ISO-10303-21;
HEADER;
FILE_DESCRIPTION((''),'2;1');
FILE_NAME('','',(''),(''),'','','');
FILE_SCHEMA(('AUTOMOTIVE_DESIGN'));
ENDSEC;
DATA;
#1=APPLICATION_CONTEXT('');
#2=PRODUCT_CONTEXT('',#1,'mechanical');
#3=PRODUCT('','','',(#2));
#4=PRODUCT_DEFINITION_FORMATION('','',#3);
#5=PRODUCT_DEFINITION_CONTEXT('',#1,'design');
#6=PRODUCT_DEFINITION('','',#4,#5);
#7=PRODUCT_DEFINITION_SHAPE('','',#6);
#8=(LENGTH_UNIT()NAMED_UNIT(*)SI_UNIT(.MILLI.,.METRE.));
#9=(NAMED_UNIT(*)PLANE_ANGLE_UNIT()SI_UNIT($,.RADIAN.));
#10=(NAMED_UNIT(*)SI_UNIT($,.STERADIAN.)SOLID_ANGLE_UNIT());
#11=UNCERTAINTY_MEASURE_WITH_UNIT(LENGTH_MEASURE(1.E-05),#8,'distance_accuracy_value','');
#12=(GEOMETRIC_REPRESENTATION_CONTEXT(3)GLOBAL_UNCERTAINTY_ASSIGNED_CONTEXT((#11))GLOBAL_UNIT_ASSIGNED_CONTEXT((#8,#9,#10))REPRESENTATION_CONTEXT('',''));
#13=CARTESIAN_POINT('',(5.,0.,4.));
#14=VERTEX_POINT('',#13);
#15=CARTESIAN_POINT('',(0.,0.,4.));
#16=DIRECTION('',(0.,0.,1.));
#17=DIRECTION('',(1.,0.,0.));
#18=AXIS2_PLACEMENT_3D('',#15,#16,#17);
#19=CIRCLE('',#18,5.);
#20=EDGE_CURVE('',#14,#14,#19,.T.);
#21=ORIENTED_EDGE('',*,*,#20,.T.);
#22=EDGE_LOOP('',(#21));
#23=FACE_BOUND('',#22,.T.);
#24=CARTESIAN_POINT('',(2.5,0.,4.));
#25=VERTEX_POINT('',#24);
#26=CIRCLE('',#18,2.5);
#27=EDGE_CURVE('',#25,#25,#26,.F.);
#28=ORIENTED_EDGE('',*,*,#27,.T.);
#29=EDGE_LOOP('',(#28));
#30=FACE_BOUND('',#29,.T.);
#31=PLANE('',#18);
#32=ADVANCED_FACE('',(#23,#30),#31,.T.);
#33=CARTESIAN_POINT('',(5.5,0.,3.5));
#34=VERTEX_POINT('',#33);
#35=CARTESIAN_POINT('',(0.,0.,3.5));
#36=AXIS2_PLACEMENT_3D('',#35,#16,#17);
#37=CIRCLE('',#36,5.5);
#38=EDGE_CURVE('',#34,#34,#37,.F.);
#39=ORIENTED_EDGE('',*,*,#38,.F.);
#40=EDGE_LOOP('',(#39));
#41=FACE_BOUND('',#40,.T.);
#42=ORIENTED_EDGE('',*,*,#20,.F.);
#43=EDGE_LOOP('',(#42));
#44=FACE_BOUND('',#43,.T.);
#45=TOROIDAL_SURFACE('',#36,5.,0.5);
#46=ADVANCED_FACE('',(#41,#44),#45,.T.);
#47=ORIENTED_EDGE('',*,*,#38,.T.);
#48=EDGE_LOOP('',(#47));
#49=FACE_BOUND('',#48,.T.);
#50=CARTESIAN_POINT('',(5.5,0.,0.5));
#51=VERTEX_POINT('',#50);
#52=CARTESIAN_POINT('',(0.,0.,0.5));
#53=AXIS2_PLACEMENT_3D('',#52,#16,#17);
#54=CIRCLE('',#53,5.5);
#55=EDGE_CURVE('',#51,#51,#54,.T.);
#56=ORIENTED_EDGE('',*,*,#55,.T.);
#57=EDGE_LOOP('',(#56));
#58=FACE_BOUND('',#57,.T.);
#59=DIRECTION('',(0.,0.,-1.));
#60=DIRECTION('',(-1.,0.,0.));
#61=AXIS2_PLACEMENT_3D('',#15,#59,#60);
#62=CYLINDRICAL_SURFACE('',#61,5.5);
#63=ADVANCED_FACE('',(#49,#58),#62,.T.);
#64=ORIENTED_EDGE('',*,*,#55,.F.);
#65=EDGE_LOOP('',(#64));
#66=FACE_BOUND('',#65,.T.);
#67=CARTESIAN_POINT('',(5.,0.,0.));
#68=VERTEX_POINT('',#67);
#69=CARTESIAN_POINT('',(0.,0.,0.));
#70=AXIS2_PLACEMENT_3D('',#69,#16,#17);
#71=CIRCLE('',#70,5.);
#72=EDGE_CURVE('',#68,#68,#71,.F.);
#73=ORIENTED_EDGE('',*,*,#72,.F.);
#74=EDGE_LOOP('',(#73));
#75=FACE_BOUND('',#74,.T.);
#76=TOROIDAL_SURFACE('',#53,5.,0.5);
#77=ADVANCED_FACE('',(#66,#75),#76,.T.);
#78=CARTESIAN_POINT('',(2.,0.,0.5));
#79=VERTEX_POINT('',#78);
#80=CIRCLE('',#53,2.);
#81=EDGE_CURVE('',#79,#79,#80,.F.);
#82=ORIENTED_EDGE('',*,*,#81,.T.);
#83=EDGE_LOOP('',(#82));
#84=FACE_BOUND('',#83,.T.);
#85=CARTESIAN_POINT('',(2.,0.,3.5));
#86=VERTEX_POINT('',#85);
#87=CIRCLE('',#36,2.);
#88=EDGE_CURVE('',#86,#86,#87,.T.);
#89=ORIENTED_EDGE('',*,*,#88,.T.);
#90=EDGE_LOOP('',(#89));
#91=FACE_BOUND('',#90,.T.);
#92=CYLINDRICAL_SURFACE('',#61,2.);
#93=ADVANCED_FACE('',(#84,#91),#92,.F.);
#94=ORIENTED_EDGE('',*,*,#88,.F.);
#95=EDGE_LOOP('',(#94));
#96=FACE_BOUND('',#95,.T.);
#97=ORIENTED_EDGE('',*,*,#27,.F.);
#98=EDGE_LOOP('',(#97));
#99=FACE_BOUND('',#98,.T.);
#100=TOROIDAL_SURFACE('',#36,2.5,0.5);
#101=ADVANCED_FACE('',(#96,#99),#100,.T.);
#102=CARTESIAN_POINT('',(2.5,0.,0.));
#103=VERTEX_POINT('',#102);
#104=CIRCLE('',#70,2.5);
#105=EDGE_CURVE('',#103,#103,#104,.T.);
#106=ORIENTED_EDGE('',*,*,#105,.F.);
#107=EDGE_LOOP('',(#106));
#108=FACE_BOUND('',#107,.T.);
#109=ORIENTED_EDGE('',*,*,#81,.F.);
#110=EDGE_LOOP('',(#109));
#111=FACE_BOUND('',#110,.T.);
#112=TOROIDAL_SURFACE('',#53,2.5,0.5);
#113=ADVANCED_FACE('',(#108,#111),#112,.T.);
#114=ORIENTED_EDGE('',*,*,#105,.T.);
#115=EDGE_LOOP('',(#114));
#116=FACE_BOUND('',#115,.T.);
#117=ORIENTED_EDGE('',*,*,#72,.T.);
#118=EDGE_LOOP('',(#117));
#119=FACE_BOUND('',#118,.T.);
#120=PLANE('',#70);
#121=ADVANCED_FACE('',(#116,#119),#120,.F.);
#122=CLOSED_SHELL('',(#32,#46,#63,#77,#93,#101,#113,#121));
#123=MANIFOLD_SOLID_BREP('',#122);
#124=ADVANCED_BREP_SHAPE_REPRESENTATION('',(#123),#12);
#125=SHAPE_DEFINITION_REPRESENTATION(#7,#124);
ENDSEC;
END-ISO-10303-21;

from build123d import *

# Parameters (mm, degrees)
ESQUISSE1_R          = 5.5
ESQUISSE1_R_2        = 2
BASE_EXTRUSION_DEPTH = 4
CONG_1_R             = 0.5


with BuildPart() as part:
    # Esquisse1 → Base-Extrusion (new body)
    with BuildSketch(Plane.XY):
        Circle(ESQUISSE1_R)
        Circle(ESQUISSE1_R_2, mode=Mode.SUBTRACT)
    extrude(amount=BASE_EXTRUSION_DEPTH)

    # Congé1
    cong_1_edges = [part.edges().sort_by_distance(p)[0] for p in [
        (-5.5, 0, 0),
        (-5.5, 0, 4),
        (-2, 0, 0),
        (-2, 0, 4),
    ]]
    fillet(cong_1_edges, radius=CONG_1_R)


solid = part.part
